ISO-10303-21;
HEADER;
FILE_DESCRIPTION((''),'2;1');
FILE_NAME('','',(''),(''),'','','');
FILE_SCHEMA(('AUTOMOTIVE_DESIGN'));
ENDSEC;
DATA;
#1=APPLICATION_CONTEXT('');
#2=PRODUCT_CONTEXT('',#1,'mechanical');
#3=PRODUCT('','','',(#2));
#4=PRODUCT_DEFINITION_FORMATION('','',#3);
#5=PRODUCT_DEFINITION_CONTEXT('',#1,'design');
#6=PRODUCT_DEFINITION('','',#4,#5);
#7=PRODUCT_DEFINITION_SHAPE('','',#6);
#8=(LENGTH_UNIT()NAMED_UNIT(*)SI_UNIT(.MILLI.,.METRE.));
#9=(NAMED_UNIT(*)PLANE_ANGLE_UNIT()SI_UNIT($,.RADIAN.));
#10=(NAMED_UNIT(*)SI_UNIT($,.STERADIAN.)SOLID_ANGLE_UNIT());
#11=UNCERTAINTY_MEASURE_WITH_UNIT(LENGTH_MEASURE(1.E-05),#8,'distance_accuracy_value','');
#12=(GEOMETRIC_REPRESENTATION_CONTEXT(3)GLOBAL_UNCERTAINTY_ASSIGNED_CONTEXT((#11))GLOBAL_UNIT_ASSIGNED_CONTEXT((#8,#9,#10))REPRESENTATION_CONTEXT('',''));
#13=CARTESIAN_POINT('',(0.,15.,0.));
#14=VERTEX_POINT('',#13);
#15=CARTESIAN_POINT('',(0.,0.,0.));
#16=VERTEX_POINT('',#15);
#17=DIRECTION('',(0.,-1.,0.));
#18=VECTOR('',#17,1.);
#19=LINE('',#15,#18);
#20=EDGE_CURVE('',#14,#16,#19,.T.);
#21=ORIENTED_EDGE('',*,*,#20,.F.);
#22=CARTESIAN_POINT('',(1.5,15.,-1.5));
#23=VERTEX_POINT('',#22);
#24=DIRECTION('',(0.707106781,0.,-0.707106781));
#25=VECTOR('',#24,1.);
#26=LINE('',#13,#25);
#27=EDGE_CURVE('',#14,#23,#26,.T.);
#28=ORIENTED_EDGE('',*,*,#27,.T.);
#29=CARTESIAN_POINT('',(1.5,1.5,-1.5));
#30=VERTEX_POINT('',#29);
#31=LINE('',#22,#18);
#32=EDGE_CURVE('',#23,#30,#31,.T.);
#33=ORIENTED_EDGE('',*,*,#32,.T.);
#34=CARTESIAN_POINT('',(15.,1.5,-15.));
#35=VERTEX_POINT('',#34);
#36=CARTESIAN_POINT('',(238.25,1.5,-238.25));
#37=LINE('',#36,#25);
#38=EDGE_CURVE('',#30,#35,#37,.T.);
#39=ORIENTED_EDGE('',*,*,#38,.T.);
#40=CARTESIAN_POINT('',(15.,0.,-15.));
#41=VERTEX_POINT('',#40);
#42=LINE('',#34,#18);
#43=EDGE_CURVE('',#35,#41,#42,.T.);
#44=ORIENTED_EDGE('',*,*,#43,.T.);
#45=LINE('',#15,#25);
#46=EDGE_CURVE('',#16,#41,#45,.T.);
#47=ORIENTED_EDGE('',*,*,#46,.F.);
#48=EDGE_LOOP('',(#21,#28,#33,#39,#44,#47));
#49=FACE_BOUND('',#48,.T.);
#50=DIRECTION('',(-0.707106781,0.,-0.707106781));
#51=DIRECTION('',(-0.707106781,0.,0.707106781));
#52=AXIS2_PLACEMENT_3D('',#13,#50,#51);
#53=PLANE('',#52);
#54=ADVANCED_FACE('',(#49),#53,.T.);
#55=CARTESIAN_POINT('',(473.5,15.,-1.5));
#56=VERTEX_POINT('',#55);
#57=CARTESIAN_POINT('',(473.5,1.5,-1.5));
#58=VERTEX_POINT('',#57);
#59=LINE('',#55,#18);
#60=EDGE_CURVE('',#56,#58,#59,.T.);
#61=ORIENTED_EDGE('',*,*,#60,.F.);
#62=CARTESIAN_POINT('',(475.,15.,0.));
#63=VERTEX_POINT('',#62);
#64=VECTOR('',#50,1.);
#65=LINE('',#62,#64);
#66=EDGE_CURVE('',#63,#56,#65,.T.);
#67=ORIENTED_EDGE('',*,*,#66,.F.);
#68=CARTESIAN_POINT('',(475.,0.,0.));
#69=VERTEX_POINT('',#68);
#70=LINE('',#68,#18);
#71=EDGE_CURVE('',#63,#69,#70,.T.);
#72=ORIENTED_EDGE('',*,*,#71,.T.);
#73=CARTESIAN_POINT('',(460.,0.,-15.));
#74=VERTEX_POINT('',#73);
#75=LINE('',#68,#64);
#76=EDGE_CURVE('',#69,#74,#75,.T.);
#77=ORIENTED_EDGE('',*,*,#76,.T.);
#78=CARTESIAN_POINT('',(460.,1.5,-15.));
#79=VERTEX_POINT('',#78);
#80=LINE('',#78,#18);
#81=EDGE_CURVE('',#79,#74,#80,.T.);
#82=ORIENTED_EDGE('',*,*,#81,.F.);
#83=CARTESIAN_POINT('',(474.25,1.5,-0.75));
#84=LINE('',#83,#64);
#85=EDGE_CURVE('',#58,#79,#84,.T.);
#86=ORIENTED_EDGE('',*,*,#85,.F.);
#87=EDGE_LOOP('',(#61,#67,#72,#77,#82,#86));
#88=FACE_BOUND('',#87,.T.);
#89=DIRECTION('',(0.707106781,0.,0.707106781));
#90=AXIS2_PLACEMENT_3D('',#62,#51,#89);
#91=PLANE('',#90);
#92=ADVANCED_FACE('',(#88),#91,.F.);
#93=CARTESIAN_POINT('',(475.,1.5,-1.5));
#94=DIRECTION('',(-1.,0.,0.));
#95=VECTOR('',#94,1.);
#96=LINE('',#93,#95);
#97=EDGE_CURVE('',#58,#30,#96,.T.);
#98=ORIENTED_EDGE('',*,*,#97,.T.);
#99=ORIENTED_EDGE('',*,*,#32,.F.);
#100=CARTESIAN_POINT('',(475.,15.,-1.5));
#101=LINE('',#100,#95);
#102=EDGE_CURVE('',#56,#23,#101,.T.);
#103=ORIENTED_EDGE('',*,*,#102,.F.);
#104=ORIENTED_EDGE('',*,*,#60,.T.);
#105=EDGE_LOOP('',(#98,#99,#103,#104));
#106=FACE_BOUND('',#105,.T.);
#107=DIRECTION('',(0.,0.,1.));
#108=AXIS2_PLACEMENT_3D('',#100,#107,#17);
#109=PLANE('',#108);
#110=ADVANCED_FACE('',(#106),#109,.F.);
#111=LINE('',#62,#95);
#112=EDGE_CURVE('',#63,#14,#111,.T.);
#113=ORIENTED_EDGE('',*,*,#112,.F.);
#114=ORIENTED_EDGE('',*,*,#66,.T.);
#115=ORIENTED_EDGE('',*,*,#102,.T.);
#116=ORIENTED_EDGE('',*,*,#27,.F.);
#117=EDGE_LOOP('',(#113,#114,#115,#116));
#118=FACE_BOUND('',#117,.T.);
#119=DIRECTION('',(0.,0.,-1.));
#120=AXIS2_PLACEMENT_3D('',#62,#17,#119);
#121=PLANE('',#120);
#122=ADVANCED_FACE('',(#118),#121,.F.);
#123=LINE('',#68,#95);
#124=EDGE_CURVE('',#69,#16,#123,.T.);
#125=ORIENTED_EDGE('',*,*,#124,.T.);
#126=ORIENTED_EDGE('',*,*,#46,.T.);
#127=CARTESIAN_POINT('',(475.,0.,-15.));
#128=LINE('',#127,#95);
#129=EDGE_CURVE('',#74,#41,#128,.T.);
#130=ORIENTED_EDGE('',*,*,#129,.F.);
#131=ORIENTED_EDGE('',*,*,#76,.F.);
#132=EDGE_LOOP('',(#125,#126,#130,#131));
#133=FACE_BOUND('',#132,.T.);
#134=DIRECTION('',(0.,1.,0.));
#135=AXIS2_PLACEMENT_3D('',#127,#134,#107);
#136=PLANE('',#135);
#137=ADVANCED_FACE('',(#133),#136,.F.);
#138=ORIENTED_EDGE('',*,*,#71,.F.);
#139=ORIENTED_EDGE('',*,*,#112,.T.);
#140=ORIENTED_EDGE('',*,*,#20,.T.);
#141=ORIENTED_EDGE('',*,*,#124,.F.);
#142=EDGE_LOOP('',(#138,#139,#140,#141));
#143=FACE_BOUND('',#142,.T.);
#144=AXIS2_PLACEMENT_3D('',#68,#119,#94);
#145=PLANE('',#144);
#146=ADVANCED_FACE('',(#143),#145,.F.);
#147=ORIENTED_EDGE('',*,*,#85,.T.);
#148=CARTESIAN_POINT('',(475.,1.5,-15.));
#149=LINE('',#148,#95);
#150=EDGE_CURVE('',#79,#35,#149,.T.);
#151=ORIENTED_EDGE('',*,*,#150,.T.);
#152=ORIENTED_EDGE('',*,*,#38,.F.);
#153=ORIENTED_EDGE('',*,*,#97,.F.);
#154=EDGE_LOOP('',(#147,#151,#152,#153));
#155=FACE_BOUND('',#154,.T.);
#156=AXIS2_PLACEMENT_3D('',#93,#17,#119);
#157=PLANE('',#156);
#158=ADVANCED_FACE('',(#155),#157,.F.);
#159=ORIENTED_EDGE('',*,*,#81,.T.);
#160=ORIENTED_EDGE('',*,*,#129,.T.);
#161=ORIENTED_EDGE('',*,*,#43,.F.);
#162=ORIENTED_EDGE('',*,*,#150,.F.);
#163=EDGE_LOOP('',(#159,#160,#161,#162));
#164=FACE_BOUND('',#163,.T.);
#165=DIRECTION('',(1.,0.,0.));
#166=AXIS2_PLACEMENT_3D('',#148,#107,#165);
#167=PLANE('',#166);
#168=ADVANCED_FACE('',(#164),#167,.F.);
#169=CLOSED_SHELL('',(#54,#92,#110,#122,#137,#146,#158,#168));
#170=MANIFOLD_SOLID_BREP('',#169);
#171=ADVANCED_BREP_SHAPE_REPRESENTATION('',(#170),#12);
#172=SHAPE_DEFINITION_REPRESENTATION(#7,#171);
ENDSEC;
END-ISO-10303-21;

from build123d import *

# Parameters (mm, degrees)
EXTRUDE_1_DEPTH     = 475
CUT_EXTRUDE_1_DEPTH = 16


with BuildPart() as part:
    # Эскиз1 → Бобышка-Вытянуть1 (new body)
    with BuildSketch(Plane(origin=(0, 0, 0), x_dir=(0, 0, -1), z_dir=(1, 0, 0))):
        Polygon((0, 0), (0, 15), (1.5, 15), (1.5, 1.5), (15, 1.5), (15, 0), align=None)
    extrude(amount=EXTRUDE_1_DEPTH)

    # Эскиз2 → Вырез-Вытянуть1 (cut, through all)
    with BuildSketch(Plane.XZ):
        Polygon((475, 0), (454.951956964, -20.048043036), (475, -20.048043036), align=None)
    cut_extrude_1 = extrude(amount=-CUT_EXTRUDE_1_DEPTH, mode=Mode.SUBTRACT)

    # Зеркальное отражение1: Вырез-Вытянуть1 across plane
    add(cut_extrude_1.mirror(Plane(origin=(237.5, 0, 0), x_dir=(0, 0, 1), z_dir=(1, 0, 0))), mode=Mode.SUBTRACT)


solid = part.part
